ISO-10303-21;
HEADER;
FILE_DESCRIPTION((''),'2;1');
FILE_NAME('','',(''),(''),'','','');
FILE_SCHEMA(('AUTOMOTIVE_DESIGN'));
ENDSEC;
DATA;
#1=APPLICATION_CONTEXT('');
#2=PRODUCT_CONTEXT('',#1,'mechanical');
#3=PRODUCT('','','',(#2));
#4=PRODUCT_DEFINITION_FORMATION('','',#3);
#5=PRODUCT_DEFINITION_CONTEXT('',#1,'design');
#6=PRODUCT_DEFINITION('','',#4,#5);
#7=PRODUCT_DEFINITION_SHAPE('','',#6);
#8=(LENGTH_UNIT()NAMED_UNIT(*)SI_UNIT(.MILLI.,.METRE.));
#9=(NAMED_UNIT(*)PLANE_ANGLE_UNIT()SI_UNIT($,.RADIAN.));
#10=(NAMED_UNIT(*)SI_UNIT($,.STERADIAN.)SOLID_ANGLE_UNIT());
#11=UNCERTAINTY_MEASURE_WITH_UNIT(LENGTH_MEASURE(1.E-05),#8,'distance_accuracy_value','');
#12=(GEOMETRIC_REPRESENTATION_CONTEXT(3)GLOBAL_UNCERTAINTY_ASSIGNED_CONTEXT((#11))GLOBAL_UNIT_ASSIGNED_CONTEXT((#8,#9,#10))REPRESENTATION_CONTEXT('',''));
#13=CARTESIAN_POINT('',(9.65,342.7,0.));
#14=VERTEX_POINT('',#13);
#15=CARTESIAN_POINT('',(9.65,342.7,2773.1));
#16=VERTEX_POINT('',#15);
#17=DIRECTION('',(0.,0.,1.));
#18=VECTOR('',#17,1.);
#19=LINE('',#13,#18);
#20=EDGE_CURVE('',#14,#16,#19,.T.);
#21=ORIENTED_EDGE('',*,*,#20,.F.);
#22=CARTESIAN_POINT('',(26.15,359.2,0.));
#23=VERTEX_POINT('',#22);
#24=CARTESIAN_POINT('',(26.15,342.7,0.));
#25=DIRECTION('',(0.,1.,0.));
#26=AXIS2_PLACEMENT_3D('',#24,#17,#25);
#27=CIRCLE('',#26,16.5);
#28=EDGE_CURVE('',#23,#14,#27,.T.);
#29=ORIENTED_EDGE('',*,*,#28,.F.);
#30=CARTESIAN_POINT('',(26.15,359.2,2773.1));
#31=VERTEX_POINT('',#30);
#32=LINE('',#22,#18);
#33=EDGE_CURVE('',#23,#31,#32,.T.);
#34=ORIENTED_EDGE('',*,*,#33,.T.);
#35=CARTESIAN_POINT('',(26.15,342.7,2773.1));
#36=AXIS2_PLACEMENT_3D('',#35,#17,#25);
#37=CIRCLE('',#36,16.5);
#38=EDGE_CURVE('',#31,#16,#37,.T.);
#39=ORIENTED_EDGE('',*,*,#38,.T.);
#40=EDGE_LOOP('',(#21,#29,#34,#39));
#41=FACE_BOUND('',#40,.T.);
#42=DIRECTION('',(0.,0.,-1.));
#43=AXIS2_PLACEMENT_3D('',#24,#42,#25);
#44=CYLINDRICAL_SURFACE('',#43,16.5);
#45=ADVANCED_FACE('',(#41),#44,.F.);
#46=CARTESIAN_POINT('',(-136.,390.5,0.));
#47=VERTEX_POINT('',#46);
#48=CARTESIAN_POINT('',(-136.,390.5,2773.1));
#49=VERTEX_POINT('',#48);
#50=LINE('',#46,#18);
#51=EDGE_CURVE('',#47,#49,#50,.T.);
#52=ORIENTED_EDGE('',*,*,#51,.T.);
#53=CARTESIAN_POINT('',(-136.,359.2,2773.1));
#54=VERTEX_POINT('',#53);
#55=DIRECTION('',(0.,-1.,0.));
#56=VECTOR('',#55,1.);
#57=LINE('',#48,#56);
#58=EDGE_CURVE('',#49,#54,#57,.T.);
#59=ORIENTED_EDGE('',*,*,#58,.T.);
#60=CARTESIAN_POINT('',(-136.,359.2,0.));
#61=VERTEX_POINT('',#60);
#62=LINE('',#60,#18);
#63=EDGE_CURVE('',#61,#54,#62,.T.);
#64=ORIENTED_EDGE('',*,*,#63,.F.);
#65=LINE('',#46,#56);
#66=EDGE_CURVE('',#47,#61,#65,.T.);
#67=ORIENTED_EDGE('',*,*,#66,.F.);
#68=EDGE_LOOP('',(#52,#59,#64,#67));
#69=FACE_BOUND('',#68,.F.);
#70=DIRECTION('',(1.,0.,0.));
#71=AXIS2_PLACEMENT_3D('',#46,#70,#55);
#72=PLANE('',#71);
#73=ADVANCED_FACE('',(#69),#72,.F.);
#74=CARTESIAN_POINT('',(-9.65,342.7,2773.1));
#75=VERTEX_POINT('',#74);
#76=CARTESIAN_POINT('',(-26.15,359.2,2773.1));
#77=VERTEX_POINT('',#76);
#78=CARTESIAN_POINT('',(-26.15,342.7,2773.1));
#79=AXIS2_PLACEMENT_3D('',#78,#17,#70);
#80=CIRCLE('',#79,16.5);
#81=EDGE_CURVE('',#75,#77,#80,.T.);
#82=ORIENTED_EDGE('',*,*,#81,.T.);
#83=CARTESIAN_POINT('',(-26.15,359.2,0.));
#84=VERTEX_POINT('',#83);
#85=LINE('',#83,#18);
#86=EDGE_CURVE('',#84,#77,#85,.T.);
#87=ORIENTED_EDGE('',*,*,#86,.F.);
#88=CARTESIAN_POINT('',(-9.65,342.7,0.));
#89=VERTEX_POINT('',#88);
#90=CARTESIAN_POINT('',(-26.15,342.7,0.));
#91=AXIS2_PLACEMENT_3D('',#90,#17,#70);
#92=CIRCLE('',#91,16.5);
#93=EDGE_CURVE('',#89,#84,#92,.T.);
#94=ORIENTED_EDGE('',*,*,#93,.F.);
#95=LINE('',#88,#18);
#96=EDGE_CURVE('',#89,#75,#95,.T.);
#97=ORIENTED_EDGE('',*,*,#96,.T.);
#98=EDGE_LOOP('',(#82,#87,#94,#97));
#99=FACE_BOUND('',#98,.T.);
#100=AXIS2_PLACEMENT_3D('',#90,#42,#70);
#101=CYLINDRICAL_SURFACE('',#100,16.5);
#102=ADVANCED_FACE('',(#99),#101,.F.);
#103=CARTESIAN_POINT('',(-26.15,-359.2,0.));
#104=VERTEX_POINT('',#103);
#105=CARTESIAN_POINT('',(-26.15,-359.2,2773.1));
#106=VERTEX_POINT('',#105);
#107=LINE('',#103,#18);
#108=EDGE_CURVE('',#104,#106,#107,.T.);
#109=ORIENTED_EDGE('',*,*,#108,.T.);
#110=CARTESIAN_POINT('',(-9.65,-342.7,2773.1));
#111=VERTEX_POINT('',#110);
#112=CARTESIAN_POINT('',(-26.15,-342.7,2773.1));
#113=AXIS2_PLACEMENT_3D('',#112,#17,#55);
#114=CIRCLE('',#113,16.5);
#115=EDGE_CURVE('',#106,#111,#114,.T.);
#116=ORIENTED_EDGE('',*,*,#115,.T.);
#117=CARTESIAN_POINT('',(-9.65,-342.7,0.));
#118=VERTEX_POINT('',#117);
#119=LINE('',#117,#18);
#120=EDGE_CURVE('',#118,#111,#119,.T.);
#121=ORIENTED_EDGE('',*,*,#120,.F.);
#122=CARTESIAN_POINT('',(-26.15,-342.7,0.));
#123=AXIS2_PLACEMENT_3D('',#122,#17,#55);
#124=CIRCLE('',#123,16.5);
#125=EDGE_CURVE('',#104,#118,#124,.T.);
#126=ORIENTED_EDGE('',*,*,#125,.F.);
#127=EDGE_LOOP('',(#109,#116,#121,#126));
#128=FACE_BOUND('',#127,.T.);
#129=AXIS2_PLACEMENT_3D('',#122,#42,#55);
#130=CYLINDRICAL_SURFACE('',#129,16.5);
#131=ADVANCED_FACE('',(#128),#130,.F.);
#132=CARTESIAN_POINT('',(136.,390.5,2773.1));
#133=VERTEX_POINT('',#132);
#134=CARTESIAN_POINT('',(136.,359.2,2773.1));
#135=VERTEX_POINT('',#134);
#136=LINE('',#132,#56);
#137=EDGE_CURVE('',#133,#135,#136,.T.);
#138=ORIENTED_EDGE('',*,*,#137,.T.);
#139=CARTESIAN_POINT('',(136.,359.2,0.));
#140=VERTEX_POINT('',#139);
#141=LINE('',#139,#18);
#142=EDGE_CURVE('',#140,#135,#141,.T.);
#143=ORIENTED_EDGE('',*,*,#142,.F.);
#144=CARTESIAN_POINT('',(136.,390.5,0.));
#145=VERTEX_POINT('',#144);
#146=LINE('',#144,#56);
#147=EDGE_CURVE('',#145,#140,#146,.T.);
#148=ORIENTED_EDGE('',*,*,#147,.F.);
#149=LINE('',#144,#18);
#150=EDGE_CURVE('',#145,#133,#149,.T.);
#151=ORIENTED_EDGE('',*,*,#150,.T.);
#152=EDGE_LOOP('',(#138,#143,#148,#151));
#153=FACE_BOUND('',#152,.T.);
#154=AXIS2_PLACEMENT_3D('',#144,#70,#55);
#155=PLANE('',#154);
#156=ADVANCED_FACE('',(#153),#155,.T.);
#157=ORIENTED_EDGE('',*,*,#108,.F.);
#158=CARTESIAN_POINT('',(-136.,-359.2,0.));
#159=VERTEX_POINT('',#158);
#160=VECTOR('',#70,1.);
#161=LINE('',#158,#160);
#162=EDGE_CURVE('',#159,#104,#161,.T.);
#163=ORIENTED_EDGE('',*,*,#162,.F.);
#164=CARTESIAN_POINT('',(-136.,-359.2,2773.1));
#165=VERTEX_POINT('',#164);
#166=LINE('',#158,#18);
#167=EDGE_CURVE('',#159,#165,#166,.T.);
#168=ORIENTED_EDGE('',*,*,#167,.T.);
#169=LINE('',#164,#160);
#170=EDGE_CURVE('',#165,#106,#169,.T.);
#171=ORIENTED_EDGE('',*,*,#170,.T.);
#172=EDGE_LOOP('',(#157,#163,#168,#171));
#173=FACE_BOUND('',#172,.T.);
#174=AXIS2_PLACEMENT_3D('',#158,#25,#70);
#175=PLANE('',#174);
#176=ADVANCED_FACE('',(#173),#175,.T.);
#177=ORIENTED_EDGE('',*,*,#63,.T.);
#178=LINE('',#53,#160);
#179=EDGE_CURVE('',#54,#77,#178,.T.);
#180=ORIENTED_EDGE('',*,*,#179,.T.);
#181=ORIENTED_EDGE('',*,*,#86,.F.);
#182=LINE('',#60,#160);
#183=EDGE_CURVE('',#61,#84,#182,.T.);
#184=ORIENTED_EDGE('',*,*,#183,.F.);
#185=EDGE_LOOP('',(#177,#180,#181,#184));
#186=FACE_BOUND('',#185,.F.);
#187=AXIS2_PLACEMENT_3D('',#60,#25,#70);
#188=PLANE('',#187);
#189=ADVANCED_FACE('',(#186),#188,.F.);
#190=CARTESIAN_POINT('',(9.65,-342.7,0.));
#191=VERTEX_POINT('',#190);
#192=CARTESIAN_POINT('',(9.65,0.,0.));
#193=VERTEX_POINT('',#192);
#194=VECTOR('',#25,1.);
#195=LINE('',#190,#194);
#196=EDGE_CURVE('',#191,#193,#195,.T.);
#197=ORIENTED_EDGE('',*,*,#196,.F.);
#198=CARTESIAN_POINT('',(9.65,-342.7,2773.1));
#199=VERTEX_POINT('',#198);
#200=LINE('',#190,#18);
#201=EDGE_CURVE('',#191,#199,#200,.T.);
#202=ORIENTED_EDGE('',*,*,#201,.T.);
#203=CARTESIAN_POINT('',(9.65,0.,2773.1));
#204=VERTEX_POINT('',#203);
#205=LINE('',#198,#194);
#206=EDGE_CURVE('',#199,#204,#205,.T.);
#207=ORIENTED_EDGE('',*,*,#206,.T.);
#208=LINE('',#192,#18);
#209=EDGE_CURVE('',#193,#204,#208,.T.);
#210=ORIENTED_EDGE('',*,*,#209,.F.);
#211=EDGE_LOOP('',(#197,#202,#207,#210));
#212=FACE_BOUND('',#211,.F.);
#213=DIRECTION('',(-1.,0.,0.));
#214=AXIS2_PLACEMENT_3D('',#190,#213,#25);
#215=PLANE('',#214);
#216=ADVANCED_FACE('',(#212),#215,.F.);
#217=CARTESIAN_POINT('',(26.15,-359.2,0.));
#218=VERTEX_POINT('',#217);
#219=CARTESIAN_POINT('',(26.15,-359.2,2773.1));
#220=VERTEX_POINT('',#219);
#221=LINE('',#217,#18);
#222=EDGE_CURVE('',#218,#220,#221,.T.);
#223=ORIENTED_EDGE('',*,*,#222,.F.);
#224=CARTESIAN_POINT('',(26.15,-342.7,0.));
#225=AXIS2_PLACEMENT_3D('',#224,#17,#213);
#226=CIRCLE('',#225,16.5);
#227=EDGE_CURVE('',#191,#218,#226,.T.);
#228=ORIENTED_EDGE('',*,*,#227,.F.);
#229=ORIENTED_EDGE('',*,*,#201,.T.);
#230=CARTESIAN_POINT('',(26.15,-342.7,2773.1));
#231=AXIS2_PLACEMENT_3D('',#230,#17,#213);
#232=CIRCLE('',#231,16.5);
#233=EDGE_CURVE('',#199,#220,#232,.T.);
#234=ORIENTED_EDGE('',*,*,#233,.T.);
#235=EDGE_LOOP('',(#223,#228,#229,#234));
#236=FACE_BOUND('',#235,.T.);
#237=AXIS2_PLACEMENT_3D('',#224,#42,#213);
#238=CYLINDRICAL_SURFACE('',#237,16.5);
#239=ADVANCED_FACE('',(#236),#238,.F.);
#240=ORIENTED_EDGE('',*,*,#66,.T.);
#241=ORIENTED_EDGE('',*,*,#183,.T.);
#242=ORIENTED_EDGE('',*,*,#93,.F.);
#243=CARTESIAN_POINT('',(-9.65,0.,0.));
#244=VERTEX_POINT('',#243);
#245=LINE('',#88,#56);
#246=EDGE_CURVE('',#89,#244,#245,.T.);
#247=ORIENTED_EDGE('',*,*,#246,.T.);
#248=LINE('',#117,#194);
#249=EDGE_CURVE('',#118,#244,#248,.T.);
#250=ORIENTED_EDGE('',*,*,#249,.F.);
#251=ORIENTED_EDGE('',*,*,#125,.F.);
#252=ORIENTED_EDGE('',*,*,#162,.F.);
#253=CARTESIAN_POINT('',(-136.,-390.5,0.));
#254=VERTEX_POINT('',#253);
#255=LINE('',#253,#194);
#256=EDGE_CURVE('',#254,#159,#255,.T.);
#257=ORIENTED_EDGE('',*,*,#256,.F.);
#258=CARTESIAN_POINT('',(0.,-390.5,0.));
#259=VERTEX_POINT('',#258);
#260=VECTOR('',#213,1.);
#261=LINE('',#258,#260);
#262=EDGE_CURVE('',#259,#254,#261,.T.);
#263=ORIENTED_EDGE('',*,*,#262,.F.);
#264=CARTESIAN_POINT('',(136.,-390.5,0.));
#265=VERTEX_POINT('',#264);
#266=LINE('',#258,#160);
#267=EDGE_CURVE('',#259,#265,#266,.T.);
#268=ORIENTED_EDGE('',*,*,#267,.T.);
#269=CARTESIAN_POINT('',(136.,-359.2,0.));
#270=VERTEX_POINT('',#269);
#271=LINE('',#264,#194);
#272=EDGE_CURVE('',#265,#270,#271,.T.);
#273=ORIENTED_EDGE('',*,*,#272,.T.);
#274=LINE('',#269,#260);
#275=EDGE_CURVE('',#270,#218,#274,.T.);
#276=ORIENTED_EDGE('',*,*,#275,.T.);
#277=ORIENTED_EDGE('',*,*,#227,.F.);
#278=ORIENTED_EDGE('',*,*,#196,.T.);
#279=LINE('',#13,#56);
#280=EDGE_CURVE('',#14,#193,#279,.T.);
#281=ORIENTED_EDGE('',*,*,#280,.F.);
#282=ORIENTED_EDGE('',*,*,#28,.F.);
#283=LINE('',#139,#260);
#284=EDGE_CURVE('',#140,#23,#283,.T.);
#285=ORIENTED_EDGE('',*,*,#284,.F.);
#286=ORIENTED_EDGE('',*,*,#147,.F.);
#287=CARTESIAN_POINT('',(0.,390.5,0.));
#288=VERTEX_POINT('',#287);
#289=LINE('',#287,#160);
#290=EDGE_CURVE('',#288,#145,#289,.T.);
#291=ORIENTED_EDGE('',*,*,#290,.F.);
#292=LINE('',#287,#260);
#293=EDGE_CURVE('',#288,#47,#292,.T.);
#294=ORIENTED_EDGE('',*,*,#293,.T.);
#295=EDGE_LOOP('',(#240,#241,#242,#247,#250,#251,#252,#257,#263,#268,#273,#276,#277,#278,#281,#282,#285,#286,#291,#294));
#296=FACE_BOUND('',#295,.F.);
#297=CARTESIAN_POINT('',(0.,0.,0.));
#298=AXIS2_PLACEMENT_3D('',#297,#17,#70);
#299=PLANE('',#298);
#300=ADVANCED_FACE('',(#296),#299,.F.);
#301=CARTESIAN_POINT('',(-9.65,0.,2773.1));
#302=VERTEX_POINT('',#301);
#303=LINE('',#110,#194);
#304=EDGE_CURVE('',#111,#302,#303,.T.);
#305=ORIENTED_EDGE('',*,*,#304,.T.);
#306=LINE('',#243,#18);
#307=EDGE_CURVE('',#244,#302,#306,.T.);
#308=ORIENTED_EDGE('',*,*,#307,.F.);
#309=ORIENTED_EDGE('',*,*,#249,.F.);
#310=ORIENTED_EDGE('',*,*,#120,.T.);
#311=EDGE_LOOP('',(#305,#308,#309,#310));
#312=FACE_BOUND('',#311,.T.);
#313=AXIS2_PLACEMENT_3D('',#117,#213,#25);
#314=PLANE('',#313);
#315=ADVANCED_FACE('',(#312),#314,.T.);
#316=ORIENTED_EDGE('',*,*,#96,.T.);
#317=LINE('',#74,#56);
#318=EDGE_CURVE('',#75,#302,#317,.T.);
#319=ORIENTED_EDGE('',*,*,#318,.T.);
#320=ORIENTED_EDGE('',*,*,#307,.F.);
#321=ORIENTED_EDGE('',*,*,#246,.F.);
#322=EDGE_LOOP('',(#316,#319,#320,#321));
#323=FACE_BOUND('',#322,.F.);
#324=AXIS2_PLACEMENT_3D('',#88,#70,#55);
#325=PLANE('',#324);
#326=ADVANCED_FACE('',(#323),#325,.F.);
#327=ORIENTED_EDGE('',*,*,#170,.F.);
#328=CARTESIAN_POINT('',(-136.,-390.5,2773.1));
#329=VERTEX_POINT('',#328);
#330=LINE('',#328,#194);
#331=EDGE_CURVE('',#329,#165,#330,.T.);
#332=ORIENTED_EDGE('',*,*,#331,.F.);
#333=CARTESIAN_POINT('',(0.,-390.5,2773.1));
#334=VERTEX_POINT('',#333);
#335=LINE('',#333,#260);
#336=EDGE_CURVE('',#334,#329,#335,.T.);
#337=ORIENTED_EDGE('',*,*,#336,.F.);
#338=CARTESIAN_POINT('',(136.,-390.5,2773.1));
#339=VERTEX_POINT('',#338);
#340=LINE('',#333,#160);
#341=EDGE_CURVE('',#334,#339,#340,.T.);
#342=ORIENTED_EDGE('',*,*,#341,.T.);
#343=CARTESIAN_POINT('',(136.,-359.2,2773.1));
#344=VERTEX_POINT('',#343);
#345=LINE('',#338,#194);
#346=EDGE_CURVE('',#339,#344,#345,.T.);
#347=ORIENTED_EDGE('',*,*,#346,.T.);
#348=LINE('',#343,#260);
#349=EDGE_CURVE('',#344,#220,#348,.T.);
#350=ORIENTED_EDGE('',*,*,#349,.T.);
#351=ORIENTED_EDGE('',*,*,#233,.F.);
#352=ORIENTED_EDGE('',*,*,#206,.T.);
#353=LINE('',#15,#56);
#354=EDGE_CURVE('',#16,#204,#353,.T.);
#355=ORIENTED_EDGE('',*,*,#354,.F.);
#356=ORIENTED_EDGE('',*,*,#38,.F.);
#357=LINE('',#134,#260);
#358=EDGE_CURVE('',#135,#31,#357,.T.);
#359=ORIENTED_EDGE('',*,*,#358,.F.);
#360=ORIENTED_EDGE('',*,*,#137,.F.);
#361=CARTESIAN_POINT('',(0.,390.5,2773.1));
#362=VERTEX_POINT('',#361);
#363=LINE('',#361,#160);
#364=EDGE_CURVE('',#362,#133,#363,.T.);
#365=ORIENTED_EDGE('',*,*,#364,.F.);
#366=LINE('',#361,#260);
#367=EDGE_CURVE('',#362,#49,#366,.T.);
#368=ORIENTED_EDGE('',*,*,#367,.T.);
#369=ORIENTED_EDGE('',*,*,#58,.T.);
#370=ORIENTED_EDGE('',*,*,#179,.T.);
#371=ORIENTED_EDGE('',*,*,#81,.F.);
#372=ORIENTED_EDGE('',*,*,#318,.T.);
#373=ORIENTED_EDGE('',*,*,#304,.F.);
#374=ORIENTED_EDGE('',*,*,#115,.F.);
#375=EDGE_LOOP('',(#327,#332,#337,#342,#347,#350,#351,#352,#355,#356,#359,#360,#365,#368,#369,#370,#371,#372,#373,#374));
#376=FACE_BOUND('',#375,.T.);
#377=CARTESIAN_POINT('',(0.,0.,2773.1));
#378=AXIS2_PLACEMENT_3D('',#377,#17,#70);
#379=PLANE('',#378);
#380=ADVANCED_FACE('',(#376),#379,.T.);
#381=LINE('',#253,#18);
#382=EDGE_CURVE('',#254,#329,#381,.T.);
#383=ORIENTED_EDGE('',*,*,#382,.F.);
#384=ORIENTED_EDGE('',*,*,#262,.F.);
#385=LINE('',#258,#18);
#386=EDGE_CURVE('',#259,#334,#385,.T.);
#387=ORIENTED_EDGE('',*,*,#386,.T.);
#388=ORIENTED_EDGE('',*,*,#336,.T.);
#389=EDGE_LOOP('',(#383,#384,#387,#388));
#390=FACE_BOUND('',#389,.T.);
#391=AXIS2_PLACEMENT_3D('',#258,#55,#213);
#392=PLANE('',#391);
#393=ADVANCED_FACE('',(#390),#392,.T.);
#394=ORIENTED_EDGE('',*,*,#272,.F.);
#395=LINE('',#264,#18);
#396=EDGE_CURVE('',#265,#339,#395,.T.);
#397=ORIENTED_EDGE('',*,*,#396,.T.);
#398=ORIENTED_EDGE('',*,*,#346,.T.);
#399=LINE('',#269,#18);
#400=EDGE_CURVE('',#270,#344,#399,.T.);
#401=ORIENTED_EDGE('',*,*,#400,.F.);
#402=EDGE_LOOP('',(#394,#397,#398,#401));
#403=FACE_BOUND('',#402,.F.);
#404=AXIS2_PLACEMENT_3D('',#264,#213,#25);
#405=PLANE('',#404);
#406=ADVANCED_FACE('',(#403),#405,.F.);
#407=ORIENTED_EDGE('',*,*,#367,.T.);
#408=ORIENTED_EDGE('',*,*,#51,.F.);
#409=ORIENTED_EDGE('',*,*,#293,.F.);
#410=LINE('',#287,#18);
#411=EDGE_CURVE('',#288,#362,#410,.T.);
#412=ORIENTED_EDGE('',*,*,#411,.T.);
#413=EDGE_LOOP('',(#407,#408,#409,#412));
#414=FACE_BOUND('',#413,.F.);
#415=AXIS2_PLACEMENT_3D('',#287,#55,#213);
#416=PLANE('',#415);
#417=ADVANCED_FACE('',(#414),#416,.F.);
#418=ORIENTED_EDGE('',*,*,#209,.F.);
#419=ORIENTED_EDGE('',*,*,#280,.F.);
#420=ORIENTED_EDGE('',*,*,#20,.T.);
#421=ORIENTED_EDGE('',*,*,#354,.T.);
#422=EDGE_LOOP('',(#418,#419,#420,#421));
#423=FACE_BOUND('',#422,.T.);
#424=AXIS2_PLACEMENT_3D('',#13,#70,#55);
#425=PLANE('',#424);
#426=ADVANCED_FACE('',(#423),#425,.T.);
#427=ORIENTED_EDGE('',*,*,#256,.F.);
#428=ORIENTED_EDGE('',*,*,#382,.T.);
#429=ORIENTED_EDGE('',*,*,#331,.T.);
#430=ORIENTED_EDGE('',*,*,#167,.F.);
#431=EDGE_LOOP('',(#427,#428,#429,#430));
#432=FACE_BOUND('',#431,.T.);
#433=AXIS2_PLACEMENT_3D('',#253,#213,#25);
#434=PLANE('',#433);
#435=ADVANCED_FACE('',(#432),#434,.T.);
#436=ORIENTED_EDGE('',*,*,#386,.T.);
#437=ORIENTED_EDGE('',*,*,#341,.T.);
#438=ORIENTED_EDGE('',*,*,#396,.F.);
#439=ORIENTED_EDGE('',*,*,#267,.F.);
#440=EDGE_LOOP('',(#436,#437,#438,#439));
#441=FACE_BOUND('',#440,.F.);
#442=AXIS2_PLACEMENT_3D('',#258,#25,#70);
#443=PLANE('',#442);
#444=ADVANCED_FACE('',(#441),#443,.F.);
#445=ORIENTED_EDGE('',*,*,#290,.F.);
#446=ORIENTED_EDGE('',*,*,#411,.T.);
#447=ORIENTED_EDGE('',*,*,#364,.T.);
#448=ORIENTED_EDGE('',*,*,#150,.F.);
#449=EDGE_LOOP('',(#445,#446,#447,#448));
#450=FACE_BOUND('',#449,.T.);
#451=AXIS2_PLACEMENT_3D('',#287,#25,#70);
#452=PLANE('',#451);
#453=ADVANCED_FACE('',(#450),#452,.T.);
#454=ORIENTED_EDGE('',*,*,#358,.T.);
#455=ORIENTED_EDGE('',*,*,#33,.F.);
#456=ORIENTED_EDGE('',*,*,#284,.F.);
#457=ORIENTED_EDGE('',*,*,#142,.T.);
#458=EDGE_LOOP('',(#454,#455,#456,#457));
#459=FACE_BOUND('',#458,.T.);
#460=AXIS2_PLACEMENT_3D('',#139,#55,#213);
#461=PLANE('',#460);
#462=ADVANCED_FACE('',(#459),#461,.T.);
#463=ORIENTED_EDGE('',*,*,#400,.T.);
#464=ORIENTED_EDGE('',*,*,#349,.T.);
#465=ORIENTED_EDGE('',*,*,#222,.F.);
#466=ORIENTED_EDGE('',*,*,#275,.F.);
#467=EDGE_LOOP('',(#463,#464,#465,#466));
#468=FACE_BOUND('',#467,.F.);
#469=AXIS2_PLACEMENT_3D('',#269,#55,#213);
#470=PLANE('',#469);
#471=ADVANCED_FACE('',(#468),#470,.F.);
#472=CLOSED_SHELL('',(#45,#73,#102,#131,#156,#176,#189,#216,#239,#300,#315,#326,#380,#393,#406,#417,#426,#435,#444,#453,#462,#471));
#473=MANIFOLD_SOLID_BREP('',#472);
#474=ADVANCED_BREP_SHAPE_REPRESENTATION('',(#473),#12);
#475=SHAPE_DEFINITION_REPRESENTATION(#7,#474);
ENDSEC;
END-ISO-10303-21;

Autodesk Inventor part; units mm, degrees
ref_plane "YZ Plane" through (0, 0, 0) normal (1, 0, 0) x (0, 1, 0)
ref_plane "Start plane" through (0, 0, 0) normal (0, 0, 1) x (1, 0, 0)
ref_plane "End plane" through (0, 0, 2773.1) normal (0, 0, 1) x (1, 0, 0)
sketch "Sketch" plane through (0, 0, 0) normal (0, 0, 1) x (1, 0, 0)
  line L0 (-136, -390.5) -> (-136, -359.2)
  line L1 (-136, -359.2) -> (-26.15, -359.2)
  line L2 (-9.65, -342.7) -> (-9.65, 0)
  line L3 (-9.65, 0) -> (0, 0) construction
  line L4 (0, 0) -> (0, -390.5) construction
  line L5 (0, -390.5) -> (-136, -390.5)
  line L6 (-60, 0) -> (80, 0) construction
  line L7 (0, -60) -> (0, 80) construction
  line L8 (136, -390.5) -> (136, -359.2)
  line L9 (136, -359.2) -> (26.15, -359.2)
  line L10 (9.65, -342.7) -> (9.65, 0)
  line L11 (9.65, 0) -> (0, 0) construction
  line L12 (0, -390.5) -> (136, -390.5)
  line L13 (-136, 390.5) -> (-136, 359.2)
  line L14 (-136, 359.2) -> (-26.15, 359.2)
  line L15 (-9.65, 342.7) -> (-9.65, 0)
  line L16 (0, 390.5) -> (-136, 390.5)
  line L17 (136, 390.5) -> (136, 359.2)
  line L18 (136, 359.2) -> (26.15, 359.2)
  line L19 (0, 390.5) -> (136, 390.5)
  line L20 (9.65, 342.7) -> (9.65, 0)
  arc A0 (-9.65, 342.7) -> (-26.15, 359.2) centre (-26.15, 342.7) ccw
  arc A1 (26.15, 359.2) -> (9.65, 342.7) centre (26.15, 342.7) ccw
  arc A2 (9.65, -342.7) -> (26.15, -359.2) centre (26.15, -342.7) ccw
  arc A3 (-26.15, -359.2) -> (-9.65, -342.7) centre (-26.15, -342.7) ccw
  line L21 (0, 108) -> (0, -88) construction
  line L22 (-88, 0) -> (108, 0) construction
  point P0 (-9.65, -359.2)
  point P1 (9.65, -359.2)
  point P2 (-9.65, 359.2)
  point P3 (9.65, 359.2)
  dimension "d1" = 390.5
  dimension "d2" = 31.3
  dimension "d3" = 136
  dimension "d4" = 9.65
  dimension "d10" = 16.5
extrude "Body" add sketch "Sketch" along normal up to surface (2773.1 mm away) from surface at 0
sketch "Sketch4" plane through (0, 0, 0) normal (0, 0, 1) x (1, 0, 0)
  line L0 (0, 0) -> (10, 0)
ref_plane "Work Plane3" through (0, 0, 0) normal (0, -1, 0) x (1, 0, 0)
sketch "Sketch5" plane through (0, 0, 0) normal (0, -1, 0) x (1, 0, 0)
  line L0 (-2, 0) -> (12, 0) projected
  line L1 (-2, 2773.1) -> (12, 2773.1) projected
  dimension "d14" = 2773.1
equation "\"d1\" = 0.5 * G_H"
equation "\"d2\" = G_T1"
equation "\"d3\" = 0.5 * G_W"
equation "\"d4\" = 0.5 * G_T"
equation "\"d10\" = G_IR"
equation "\"d5\" = G_L"
equation "\"G_W\" = 272"
equation "\"G_H\" = 781"
equation "\"G_T\" = 19.3"
equation "\"G_T1\" = 31.3"
equation "\"G_IR\" = 16.5"
equation "\"G_L\" = d14"
equation "\"G_OFFSET_START\" = 0"
equation "\"G_OFFSET_END\" = 0"
equation "\"d12\" = G_OFFSET_END + B_L"
equation "\"B_L\" = 2773.1"
properties part number "AS 3679-1990 - 760 UB - 244 - 2773.1" material "Steel, Mild"
